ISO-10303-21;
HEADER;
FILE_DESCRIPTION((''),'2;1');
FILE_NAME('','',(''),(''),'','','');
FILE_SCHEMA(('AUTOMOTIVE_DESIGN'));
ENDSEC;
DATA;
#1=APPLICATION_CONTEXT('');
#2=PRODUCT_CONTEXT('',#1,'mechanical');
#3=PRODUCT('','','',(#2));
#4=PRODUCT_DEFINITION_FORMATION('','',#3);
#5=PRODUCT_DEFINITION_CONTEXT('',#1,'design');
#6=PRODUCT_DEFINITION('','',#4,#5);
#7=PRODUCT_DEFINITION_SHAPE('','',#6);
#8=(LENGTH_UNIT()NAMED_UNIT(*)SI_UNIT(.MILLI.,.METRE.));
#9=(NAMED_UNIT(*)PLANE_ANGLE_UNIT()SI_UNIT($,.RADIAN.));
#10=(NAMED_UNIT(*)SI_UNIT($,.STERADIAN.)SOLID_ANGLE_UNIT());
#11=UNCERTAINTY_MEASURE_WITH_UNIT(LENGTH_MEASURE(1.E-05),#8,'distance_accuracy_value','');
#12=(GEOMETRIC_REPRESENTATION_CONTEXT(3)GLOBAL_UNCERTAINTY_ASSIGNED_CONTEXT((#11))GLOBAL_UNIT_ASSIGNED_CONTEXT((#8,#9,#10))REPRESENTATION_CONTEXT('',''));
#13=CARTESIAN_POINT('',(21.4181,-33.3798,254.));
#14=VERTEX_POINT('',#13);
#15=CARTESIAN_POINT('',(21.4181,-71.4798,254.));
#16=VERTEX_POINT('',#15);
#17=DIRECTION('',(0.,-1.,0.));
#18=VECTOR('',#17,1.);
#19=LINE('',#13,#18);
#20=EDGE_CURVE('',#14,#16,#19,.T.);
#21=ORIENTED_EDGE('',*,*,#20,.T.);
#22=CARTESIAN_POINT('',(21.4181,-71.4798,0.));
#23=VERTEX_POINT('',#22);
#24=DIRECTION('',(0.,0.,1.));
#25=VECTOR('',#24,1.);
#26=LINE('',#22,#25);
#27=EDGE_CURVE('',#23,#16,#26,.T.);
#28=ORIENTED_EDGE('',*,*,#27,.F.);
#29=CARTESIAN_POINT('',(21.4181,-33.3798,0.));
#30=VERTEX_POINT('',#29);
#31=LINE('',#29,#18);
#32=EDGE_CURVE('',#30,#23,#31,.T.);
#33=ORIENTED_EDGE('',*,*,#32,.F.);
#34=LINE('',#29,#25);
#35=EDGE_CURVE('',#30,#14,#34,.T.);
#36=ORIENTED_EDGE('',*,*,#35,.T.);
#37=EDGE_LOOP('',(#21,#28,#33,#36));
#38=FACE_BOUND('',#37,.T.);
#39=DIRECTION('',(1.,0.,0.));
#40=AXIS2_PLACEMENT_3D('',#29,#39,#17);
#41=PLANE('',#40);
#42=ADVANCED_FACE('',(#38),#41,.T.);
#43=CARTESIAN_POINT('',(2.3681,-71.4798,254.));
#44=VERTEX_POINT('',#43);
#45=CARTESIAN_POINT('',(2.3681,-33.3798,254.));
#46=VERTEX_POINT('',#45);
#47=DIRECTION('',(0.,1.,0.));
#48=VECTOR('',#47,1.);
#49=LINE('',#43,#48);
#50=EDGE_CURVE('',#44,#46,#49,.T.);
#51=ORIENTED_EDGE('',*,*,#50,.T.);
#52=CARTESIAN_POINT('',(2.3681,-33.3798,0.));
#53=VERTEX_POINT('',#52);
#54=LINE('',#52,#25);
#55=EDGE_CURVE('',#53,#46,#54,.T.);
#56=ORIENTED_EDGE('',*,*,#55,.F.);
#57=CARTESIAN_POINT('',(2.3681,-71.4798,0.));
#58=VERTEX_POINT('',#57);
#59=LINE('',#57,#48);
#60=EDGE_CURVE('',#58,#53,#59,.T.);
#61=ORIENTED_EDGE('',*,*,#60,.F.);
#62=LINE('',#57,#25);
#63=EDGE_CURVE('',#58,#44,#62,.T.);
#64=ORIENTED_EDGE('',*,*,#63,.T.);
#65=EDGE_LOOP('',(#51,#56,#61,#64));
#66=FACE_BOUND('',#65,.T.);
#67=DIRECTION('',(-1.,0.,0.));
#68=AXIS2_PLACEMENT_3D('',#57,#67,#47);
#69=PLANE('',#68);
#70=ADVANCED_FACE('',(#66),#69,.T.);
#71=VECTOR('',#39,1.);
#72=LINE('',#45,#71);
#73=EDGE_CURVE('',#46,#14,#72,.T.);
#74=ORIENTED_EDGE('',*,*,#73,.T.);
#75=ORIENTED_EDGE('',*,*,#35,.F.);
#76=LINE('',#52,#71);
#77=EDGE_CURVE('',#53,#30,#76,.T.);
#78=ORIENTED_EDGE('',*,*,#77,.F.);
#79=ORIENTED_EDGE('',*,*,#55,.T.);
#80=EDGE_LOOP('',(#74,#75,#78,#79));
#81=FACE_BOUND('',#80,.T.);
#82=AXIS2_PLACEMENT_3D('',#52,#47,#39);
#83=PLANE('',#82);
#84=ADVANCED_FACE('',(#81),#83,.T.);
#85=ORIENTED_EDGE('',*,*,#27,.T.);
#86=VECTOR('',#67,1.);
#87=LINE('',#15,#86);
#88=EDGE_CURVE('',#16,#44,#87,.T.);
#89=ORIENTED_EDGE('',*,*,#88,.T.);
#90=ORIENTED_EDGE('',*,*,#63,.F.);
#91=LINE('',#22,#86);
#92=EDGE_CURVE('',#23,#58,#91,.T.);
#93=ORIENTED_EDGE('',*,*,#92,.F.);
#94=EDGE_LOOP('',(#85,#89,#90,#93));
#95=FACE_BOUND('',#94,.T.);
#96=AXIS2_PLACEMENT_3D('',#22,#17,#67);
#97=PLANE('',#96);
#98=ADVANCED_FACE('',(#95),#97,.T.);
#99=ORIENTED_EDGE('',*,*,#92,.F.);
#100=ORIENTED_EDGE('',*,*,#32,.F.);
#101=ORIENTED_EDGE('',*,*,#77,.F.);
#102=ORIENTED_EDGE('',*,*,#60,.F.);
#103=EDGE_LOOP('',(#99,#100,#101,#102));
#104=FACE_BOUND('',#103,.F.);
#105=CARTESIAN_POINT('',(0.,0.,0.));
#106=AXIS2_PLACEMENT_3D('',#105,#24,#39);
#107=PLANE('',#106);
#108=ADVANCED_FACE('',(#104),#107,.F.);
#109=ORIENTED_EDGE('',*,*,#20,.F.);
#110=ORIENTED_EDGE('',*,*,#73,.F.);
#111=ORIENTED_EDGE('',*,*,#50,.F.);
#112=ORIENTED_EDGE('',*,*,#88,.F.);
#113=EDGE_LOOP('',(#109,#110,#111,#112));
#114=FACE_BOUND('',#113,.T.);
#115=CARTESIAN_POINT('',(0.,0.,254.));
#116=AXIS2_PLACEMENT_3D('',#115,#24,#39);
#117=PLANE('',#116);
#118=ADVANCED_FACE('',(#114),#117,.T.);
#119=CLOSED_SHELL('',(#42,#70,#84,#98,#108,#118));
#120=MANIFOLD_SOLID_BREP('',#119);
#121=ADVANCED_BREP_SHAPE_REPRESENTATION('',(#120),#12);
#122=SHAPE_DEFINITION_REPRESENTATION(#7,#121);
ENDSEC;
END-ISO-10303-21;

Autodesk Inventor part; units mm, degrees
ref_plane "YZ Plane" through (0, 0, 0) normal (1, 0, 0) x (0, 1, 0)
ref_plane "XZ Plane" through (0, 0, 0) normal (0, 1, 0) x (-1, 0, 0)
ref_plane "XY Plane" through (0, 0, 0) normal (0, 0, 1) x (1, 0, 0)
sketch "Sketch1" plane through (0, 0, 0) normal (0, 0, 1) x (1, 0, 0)
  line L0 (2.3681, -33.3798) -> (21.4181, -33.3798)
  line L1 (21.4181, -33.3798) -> (21.4181, -71.4798)
  line L2 (21.4181, -71.4798) -> (2.3681, -71.4798)
  line L3 (2.3681, -71.4798) -> (2.3681, -33.3798)
  point P0 (0, 0)
  dimension "d0" = 19.05
  dimension "d1" = 38.1
extrude "Extrusion1" add sketch "Sketch1" along normal blind 254
properties part number "RailMount1x2_NERDS"
